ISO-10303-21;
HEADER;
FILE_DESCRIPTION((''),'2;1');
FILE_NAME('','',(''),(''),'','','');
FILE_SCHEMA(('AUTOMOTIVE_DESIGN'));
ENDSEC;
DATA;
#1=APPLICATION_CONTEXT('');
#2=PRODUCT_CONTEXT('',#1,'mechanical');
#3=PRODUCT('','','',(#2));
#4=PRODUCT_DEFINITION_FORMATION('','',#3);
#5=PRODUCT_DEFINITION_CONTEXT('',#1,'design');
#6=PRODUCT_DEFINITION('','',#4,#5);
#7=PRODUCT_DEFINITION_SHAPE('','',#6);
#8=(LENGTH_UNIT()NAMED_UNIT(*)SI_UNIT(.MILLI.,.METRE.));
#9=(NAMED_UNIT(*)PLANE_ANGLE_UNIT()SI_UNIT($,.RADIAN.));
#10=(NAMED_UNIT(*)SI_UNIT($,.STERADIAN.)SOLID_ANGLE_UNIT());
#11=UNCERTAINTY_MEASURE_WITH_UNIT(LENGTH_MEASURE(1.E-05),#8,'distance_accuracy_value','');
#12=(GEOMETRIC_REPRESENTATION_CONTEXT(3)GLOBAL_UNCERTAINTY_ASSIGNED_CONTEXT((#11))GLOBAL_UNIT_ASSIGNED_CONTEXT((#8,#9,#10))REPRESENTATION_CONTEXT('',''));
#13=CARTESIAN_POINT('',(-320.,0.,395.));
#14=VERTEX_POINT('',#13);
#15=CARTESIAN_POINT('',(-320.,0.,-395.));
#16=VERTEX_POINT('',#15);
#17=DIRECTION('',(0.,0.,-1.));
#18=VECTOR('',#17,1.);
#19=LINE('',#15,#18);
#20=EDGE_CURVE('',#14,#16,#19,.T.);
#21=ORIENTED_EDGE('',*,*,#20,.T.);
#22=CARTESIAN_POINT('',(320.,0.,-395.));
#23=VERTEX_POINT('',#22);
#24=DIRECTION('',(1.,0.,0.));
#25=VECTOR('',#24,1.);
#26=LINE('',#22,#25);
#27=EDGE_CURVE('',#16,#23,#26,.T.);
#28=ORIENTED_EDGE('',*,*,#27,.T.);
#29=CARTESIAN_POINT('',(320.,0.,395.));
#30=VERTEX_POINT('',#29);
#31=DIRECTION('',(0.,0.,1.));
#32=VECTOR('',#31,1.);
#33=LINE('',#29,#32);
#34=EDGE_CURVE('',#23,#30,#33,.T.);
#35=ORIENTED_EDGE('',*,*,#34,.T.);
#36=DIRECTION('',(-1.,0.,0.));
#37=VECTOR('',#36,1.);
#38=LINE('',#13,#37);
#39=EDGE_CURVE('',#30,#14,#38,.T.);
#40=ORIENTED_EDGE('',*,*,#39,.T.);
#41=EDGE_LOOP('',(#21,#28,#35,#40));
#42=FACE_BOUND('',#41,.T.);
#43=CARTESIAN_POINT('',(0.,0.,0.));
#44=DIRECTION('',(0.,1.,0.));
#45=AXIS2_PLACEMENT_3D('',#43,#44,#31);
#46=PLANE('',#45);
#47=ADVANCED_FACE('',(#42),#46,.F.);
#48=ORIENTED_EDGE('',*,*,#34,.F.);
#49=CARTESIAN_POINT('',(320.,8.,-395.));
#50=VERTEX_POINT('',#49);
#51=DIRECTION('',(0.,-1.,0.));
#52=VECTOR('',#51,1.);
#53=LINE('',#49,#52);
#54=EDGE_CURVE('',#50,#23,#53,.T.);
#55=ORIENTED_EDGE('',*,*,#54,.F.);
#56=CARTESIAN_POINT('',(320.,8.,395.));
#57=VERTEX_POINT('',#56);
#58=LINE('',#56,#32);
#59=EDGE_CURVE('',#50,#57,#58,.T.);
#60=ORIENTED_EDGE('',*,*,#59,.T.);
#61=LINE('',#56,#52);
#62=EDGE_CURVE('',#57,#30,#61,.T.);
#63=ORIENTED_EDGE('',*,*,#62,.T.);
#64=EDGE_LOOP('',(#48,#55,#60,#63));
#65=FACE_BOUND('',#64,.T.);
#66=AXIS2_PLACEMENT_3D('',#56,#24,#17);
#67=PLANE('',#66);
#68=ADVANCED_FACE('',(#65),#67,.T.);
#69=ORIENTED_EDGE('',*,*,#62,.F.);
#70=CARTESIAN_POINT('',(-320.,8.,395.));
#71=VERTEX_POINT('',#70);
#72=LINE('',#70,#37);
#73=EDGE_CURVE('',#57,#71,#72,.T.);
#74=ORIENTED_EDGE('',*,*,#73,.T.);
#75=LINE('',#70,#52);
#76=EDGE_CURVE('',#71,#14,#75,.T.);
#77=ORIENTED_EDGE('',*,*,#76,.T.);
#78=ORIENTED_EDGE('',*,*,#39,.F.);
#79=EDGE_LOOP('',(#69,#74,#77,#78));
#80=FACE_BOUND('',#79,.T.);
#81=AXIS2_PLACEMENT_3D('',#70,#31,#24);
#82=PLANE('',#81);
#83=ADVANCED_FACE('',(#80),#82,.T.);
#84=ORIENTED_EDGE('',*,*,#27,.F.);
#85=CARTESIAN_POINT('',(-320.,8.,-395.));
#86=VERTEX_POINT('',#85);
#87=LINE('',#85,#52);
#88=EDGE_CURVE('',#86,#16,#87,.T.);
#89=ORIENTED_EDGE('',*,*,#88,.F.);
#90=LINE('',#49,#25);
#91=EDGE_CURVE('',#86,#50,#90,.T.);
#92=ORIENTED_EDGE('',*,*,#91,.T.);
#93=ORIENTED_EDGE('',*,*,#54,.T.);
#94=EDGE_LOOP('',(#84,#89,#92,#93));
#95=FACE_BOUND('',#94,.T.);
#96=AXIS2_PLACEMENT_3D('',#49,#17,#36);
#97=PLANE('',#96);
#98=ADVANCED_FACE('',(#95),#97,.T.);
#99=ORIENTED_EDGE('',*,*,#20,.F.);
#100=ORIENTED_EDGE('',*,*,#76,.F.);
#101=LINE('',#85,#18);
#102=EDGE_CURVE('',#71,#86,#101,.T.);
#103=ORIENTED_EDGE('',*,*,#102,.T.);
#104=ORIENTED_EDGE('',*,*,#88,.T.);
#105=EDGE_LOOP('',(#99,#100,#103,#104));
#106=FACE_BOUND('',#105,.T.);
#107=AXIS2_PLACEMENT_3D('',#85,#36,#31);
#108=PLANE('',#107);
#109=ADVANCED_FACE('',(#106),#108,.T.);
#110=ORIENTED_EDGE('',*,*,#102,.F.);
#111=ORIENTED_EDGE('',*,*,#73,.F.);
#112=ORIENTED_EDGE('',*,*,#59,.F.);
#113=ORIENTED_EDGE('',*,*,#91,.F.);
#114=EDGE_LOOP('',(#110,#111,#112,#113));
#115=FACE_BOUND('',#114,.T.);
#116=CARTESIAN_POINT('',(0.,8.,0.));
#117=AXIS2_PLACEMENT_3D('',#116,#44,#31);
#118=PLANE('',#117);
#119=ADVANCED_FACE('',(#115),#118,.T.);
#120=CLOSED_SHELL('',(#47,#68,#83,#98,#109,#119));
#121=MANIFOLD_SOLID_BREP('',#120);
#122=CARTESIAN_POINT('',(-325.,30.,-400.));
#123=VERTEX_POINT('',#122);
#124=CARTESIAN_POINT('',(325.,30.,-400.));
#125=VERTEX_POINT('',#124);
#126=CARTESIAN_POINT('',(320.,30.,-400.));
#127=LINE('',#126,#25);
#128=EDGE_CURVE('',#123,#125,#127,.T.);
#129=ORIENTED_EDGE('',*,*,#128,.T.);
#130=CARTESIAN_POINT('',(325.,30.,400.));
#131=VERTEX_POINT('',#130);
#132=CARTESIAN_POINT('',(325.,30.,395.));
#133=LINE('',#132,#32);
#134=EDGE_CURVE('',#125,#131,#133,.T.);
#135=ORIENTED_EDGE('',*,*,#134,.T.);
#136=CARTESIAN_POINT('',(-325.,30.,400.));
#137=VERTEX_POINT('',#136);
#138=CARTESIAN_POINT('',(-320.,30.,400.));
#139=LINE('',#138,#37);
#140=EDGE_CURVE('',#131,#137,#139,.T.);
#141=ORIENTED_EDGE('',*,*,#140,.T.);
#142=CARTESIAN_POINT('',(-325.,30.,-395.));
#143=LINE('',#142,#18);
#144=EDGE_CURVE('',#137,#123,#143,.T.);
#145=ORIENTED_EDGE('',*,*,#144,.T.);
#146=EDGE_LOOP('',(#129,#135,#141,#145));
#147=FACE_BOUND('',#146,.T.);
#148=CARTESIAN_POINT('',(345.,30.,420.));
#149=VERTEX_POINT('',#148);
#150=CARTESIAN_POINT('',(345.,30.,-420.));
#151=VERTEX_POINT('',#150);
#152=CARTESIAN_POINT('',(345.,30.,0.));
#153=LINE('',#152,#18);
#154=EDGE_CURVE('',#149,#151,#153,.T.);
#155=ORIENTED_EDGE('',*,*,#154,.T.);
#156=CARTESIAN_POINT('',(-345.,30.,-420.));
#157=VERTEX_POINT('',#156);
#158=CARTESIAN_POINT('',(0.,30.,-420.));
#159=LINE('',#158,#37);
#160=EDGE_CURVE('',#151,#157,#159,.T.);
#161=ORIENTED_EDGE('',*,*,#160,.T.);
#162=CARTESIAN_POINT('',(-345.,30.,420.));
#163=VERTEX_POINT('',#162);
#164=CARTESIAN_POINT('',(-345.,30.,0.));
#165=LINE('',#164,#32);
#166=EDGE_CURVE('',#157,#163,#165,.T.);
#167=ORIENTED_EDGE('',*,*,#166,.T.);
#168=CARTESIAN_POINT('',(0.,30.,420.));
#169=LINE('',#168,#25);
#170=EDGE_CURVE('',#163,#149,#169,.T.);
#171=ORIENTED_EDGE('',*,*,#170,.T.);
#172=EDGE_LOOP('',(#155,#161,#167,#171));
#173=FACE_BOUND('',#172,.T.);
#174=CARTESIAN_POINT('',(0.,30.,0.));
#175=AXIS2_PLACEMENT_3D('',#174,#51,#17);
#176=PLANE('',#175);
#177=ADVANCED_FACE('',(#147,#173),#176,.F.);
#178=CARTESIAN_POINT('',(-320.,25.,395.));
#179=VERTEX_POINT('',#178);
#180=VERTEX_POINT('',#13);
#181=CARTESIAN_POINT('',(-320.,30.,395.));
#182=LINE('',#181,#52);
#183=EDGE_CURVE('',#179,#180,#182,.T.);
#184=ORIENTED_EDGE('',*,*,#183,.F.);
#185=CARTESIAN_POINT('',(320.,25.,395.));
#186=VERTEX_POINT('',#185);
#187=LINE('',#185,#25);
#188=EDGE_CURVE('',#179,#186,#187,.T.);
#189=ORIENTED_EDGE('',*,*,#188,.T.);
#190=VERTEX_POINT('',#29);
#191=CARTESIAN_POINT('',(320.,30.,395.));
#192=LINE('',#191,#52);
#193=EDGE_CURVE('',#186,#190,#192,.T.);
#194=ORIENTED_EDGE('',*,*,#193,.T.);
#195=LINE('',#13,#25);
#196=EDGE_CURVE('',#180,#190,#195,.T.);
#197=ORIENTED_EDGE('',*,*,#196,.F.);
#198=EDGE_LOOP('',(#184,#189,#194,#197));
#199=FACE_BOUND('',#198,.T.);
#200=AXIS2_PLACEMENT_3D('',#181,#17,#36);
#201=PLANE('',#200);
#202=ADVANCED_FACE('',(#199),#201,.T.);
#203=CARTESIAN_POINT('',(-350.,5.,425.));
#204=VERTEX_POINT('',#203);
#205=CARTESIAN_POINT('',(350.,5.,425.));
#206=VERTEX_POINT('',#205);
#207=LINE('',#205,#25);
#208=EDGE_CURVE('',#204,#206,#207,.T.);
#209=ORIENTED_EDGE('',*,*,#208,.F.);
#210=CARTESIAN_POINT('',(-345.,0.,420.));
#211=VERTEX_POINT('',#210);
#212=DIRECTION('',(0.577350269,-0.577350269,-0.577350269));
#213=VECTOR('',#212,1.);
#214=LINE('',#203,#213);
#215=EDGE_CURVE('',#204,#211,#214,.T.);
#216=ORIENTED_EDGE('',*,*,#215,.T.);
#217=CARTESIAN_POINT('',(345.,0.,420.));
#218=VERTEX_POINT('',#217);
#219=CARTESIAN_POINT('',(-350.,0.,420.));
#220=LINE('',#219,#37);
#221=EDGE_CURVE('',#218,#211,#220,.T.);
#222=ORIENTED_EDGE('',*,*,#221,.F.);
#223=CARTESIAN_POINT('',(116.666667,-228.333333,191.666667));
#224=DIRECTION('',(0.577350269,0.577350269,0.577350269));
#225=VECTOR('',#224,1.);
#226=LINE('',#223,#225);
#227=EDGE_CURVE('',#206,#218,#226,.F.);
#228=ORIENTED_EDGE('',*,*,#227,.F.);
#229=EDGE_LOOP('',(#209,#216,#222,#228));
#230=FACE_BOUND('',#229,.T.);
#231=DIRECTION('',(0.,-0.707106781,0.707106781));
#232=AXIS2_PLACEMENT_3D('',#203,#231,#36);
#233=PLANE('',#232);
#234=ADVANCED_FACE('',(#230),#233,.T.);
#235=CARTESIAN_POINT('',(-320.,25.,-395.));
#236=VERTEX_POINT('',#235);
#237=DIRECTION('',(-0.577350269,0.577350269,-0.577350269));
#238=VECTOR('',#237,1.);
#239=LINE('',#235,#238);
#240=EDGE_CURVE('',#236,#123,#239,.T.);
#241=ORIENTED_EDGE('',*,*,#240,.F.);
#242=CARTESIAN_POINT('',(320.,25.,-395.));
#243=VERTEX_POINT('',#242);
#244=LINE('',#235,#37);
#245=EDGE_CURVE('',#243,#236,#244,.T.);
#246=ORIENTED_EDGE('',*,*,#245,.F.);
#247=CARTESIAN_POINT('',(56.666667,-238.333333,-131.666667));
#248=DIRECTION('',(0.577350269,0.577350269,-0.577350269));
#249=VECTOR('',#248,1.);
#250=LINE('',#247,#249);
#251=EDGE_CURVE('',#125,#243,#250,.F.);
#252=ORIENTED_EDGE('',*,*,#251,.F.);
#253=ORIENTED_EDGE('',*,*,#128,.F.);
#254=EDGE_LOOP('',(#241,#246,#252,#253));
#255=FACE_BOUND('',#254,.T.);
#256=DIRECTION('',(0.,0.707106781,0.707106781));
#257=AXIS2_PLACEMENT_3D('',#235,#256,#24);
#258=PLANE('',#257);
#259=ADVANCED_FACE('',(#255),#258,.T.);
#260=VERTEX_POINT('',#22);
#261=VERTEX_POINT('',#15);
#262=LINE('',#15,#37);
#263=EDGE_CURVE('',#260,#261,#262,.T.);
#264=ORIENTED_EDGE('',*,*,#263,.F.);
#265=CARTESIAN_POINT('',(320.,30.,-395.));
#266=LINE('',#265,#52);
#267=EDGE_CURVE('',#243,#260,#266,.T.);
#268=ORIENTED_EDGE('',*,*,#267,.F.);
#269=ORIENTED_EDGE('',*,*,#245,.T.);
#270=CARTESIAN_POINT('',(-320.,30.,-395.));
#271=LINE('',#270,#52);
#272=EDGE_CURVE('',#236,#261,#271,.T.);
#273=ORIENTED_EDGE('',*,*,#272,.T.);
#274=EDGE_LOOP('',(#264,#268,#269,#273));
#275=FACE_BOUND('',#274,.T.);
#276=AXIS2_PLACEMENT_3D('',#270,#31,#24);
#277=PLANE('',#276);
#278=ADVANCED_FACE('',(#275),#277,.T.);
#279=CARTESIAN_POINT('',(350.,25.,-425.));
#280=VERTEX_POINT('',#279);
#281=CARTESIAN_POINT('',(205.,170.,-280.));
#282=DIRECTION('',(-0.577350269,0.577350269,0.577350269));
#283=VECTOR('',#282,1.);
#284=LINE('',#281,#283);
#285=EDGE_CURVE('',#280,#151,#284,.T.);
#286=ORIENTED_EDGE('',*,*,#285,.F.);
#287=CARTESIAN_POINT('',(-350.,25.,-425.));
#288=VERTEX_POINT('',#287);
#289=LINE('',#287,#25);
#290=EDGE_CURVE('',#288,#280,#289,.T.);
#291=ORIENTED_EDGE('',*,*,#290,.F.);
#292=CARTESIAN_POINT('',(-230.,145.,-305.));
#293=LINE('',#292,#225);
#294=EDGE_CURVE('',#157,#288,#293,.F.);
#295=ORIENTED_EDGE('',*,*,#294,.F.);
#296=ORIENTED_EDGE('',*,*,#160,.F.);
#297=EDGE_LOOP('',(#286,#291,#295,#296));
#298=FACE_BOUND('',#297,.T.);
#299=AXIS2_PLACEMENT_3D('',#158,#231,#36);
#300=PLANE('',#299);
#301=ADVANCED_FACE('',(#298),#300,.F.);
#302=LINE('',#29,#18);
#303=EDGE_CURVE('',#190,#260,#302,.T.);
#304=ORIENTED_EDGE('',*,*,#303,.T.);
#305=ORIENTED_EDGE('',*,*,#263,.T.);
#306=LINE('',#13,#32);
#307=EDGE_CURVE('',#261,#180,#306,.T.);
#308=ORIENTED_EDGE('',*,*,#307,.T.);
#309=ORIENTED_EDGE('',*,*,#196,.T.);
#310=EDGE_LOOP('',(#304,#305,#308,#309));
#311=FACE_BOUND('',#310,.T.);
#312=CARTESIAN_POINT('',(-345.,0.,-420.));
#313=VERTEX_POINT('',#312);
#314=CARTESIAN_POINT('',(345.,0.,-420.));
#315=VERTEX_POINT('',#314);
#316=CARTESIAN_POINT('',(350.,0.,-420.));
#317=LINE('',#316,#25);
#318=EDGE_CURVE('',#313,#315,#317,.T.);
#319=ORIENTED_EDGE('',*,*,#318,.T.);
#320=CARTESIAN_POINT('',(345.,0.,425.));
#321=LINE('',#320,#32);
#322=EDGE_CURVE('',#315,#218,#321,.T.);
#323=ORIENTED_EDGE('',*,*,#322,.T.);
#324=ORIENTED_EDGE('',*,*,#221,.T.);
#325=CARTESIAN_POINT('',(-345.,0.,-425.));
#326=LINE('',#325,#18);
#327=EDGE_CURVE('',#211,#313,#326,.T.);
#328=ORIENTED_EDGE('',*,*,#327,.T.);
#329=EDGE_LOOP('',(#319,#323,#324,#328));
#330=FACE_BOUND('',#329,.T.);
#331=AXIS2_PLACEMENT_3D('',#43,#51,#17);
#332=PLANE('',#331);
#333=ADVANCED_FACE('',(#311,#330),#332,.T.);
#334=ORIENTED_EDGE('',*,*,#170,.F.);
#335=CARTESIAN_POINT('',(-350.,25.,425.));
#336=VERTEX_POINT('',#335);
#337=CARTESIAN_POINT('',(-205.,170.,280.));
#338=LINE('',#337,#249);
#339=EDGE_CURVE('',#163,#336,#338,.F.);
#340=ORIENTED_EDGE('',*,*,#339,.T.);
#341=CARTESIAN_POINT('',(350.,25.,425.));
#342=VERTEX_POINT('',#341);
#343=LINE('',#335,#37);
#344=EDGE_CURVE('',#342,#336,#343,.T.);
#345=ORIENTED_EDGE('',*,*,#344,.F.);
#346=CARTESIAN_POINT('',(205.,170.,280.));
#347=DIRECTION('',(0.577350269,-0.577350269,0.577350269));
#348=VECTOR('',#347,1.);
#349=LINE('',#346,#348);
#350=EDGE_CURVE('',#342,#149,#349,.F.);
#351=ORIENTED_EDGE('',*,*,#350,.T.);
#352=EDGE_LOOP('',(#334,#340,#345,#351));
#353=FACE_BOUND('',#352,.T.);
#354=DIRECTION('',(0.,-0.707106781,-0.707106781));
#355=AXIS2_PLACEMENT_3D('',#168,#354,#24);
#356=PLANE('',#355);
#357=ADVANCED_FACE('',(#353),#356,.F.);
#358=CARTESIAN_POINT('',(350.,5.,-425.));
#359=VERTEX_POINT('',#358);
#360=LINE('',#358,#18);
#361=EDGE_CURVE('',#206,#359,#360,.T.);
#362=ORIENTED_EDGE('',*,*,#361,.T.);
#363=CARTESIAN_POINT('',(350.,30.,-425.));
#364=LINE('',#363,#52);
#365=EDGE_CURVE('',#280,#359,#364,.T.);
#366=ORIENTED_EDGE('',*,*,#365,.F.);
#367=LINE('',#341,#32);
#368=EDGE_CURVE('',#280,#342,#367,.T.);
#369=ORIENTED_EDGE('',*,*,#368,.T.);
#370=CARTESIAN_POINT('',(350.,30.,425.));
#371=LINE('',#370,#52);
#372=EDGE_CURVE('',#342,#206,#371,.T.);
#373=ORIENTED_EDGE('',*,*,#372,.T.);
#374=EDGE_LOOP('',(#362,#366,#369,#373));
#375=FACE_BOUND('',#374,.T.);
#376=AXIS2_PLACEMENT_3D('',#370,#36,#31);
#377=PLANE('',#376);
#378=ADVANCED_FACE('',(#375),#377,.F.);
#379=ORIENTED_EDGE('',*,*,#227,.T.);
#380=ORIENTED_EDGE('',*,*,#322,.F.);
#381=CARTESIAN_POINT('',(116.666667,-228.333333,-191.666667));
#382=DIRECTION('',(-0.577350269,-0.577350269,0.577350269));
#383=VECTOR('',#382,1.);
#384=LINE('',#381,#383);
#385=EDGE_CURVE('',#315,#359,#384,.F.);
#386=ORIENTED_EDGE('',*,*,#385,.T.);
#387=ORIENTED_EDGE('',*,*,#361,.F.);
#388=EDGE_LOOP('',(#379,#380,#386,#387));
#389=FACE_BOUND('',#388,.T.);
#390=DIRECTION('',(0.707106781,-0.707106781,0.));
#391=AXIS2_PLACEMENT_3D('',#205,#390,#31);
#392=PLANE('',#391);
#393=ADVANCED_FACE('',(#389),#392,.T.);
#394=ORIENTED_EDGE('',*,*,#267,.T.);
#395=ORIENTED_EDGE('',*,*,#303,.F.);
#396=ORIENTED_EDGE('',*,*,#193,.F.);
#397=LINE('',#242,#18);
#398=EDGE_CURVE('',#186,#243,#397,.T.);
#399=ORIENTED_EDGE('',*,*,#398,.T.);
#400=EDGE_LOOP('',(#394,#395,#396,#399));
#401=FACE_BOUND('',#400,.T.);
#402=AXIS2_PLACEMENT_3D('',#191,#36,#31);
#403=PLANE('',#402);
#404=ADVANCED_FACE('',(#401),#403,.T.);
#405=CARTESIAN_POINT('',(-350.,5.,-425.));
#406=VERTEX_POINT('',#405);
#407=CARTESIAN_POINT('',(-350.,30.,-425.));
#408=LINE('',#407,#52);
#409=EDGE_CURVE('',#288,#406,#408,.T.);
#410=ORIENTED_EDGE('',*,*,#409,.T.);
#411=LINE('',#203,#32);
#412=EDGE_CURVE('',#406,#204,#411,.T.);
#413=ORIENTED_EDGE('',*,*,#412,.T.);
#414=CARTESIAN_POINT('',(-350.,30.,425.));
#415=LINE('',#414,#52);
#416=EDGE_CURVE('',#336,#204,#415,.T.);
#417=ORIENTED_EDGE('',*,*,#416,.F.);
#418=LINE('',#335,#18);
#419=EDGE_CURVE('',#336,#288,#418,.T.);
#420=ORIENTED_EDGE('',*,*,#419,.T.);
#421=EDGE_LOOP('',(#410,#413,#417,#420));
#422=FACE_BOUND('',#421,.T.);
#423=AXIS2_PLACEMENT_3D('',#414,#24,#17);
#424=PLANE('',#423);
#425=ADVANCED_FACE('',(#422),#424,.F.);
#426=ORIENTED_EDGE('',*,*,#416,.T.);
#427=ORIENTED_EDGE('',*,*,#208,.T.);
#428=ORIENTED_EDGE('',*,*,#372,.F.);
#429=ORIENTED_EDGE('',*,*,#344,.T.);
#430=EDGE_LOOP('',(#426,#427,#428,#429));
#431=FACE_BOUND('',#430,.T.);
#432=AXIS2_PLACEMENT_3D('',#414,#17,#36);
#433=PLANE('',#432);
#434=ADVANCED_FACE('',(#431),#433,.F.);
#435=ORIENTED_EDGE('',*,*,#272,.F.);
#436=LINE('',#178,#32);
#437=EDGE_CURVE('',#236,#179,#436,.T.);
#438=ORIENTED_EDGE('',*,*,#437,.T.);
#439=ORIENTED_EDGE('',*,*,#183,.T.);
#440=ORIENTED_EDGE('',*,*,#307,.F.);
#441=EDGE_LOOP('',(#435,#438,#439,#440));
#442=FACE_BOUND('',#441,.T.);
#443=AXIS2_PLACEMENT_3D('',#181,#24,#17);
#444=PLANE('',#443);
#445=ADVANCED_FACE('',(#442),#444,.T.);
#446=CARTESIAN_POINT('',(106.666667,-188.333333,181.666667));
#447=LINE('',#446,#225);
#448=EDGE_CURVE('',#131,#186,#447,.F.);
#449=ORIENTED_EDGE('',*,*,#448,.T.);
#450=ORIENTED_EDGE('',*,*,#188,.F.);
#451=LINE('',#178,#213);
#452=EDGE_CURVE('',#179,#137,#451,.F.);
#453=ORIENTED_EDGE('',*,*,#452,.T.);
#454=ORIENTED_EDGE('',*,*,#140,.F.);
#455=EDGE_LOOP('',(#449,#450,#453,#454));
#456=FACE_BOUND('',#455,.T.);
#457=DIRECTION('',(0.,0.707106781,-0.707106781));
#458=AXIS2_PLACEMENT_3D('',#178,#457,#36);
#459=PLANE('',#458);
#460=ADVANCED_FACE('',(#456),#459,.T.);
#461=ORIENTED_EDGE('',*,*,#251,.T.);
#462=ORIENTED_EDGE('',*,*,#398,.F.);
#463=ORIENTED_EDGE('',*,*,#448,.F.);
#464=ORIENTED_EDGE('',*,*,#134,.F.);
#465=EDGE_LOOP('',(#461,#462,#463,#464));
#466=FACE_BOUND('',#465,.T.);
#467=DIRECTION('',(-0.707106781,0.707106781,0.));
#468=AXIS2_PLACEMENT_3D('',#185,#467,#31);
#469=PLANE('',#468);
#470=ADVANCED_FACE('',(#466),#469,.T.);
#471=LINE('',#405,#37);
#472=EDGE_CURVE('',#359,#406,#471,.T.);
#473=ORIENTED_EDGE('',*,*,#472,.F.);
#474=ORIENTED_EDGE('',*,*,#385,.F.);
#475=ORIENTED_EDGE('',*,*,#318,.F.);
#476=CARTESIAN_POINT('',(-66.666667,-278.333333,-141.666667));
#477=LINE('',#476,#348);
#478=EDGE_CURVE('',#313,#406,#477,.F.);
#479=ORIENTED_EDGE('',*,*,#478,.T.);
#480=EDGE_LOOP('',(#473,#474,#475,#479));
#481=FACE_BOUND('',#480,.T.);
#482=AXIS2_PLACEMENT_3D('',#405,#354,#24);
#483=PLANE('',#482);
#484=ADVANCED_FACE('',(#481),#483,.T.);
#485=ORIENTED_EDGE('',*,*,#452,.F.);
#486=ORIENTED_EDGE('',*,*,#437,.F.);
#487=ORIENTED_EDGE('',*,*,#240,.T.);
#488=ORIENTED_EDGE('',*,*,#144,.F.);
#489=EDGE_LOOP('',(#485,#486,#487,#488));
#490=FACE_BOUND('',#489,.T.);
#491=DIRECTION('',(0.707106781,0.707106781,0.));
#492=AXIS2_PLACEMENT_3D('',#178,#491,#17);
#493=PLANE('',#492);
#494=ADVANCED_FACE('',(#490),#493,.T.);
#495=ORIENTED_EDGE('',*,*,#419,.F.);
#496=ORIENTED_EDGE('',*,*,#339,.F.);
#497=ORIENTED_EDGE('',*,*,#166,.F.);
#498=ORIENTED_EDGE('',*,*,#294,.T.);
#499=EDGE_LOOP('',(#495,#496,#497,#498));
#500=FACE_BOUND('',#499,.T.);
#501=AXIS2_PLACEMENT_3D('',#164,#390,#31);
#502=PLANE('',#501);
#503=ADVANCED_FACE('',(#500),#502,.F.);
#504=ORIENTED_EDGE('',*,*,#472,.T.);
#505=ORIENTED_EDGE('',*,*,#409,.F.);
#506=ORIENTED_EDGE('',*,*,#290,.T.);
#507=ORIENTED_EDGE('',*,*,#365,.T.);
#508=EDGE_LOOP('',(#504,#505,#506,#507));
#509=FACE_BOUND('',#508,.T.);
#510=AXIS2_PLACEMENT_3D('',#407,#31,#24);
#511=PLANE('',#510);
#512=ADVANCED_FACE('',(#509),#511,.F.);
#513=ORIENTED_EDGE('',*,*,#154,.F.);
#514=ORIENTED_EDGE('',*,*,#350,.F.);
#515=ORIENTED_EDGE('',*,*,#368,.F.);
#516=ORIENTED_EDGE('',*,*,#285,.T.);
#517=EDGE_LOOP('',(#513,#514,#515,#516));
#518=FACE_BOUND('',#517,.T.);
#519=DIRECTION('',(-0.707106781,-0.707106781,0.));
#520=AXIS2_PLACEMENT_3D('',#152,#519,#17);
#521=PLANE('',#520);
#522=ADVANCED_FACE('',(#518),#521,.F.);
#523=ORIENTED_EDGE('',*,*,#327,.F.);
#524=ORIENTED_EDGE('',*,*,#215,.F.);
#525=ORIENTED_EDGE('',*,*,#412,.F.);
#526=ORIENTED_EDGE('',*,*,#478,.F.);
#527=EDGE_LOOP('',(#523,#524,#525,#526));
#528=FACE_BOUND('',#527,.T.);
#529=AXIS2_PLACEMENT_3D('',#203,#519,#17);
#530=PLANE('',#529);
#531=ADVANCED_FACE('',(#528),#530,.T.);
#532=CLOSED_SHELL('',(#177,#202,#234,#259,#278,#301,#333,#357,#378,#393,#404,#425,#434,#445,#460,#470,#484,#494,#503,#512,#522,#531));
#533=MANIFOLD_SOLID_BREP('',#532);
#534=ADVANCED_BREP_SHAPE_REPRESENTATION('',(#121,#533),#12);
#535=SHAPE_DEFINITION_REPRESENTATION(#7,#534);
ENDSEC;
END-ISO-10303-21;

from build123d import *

# Parameters (mm, degrees)
SKETCH3_W           = 700
SKETCH3_H           = 850
SKETCH3_W_2         = 640
SKETCH3_H_2         = 790
BOSS_EXTRUDE1_DEPTH = 30
CHAMFER2_SIZE       = 5
SKETCH4_W           = 640
SKETCH4_H           = 790
BOSS_EXTRUDE2_DEPTH = 8


with BuildPart() as part:
    # Sketch3 → Boss-Extrude1 (new body)
    with BuildSketch(Plane(origin=(0, 0, 0), x_dir=(1, 0, 0), z_dir=(0, 1, 0))):
        Rectangle(SKETCH3_W, SKETCH3_H)
        Rectangle(SKETCH3_W_2, SKETCH3_H_2, mode=Mode.SUBTRACT)
    extrude(amount=BOSS_EXTRUDE1_DEPTH)

    # Chamfer2
    chamfer2_edges = [part.edges().sort_by_distance(p)[0] for p in [
        (-350, 30, 0),
        (-320, 30, 0),
        (0, 30, 425),
        (0, 30, 395),
        (320, 30, 0),
        (0, 30, -395),
        (350, 30, 0),
        (0, 0, 425),
        (-350, 0, 0),
        (0, 0, -425),
        (350, 0, 0),
        (0, 30, -425),
    ]]
    chamfer(chamfer2_edges, length=CHAMFER2_SIZE)


with BuildPart() as body_2:
    # Sketch4 → Boss-Extrude2 (new body)
    with BuildSketch(Plane.XZ):
        Rectangle(SKETCH4_W, SKETCH4_H)
    extrude(amount=-BOSS_EXTRUDE2_DEPTH)


solid = Compound([part.part, body_2.part])
